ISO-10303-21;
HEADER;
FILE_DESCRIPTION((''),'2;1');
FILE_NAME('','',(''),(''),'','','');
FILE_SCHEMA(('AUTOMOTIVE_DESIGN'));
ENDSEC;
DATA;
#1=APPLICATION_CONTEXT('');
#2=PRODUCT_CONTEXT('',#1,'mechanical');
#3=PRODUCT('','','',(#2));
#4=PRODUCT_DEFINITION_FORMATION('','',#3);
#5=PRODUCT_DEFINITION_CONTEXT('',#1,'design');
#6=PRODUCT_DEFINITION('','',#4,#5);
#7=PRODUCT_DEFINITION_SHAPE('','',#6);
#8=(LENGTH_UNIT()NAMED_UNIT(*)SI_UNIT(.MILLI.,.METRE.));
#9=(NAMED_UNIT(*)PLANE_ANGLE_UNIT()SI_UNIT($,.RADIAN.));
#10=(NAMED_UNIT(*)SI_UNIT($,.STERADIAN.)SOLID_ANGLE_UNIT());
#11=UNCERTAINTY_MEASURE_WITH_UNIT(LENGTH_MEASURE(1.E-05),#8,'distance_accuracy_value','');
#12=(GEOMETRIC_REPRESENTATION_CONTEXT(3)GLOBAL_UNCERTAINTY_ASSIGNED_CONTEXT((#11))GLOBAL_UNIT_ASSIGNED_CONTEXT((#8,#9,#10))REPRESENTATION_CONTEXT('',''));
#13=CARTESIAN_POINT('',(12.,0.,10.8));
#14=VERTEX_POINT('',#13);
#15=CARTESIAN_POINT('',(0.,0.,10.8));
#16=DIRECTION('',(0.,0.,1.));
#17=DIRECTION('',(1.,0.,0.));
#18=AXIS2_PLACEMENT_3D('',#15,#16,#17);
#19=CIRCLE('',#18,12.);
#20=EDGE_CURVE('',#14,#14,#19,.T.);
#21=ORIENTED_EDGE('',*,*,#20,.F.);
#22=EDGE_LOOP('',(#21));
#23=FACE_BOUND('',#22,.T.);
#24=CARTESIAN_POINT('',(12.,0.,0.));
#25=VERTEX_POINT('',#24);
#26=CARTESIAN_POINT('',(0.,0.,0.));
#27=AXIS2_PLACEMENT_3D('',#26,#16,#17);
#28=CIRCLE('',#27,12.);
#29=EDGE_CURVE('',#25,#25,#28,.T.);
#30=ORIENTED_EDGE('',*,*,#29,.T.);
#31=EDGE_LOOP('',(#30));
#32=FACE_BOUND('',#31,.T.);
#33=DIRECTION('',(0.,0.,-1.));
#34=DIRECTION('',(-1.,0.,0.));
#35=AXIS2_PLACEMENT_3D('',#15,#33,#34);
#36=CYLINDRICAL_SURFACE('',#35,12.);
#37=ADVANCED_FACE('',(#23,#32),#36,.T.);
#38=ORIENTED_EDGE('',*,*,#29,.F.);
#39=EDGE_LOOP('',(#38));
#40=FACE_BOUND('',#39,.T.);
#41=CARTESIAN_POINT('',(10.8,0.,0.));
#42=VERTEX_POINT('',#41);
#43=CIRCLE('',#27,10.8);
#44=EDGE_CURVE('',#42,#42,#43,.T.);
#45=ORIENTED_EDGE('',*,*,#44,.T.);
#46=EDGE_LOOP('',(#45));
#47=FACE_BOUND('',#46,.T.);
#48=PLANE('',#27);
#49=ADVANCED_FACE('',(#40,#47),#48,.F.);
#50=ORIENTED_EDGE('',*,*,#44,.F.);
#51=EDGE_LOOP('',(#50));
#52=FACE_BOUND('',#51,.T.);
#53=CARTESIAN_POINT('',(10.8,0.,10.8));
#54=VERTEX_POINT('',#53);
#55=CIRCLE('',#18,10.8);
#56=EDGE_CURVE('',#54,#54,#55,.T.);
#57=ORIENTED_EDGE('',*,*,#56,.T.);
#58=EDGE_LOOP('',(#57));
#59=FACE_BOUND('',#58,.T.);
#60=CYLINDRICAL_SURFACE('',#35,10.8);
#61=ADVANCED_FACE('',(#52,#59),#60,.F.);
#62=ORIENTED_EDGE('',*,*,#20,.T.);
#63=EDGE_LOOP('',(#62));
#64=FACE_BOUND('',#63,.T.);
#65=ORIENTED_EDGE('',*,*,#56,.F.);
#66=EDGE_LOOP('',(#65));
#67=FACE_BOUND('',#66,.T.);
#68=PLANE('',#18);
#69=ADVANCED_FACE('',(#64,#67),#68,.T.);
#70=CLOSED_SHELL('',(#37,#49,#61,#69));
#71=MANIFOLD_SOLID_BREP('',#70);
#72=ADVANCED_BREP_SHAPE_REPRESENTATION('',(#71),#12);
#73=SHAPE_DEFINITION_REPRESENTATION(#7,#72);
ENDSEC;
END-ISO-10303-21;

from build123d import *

# Parameters (mm, degrees)
SKETCH_1_R      = 10
EXTRUDE_1_DEPTH = 9
SCALE_2_SCALE   = 1.2
SHELL_3_T       = -1.2


with BuildPart() as part:
    # 草图1 → 凸台-拉伸1 (new body)
    with BuildSketch(Plane.XY):
        Circle(SKETCH_1_R)
    extrude(amount=EXTRUDE_1_DEPTH)


with BuildPart() as part_1:
    # 缩放比例2: scaled about (0, 0, 0)
    add(part.part.scale(SCALE_2_SCALE))

    # 抽壳3
    shell_3_openings = [part_1.faces().sort_by_distance(p)[0] for p in [
        (0, 0, 10.8),
        (0, 0, 0),
    ]]
    offset(amount=SHELL_3_T, openings=shell_3_openings, kind=Kind.INTERSECTION)


solid = part_1.part
